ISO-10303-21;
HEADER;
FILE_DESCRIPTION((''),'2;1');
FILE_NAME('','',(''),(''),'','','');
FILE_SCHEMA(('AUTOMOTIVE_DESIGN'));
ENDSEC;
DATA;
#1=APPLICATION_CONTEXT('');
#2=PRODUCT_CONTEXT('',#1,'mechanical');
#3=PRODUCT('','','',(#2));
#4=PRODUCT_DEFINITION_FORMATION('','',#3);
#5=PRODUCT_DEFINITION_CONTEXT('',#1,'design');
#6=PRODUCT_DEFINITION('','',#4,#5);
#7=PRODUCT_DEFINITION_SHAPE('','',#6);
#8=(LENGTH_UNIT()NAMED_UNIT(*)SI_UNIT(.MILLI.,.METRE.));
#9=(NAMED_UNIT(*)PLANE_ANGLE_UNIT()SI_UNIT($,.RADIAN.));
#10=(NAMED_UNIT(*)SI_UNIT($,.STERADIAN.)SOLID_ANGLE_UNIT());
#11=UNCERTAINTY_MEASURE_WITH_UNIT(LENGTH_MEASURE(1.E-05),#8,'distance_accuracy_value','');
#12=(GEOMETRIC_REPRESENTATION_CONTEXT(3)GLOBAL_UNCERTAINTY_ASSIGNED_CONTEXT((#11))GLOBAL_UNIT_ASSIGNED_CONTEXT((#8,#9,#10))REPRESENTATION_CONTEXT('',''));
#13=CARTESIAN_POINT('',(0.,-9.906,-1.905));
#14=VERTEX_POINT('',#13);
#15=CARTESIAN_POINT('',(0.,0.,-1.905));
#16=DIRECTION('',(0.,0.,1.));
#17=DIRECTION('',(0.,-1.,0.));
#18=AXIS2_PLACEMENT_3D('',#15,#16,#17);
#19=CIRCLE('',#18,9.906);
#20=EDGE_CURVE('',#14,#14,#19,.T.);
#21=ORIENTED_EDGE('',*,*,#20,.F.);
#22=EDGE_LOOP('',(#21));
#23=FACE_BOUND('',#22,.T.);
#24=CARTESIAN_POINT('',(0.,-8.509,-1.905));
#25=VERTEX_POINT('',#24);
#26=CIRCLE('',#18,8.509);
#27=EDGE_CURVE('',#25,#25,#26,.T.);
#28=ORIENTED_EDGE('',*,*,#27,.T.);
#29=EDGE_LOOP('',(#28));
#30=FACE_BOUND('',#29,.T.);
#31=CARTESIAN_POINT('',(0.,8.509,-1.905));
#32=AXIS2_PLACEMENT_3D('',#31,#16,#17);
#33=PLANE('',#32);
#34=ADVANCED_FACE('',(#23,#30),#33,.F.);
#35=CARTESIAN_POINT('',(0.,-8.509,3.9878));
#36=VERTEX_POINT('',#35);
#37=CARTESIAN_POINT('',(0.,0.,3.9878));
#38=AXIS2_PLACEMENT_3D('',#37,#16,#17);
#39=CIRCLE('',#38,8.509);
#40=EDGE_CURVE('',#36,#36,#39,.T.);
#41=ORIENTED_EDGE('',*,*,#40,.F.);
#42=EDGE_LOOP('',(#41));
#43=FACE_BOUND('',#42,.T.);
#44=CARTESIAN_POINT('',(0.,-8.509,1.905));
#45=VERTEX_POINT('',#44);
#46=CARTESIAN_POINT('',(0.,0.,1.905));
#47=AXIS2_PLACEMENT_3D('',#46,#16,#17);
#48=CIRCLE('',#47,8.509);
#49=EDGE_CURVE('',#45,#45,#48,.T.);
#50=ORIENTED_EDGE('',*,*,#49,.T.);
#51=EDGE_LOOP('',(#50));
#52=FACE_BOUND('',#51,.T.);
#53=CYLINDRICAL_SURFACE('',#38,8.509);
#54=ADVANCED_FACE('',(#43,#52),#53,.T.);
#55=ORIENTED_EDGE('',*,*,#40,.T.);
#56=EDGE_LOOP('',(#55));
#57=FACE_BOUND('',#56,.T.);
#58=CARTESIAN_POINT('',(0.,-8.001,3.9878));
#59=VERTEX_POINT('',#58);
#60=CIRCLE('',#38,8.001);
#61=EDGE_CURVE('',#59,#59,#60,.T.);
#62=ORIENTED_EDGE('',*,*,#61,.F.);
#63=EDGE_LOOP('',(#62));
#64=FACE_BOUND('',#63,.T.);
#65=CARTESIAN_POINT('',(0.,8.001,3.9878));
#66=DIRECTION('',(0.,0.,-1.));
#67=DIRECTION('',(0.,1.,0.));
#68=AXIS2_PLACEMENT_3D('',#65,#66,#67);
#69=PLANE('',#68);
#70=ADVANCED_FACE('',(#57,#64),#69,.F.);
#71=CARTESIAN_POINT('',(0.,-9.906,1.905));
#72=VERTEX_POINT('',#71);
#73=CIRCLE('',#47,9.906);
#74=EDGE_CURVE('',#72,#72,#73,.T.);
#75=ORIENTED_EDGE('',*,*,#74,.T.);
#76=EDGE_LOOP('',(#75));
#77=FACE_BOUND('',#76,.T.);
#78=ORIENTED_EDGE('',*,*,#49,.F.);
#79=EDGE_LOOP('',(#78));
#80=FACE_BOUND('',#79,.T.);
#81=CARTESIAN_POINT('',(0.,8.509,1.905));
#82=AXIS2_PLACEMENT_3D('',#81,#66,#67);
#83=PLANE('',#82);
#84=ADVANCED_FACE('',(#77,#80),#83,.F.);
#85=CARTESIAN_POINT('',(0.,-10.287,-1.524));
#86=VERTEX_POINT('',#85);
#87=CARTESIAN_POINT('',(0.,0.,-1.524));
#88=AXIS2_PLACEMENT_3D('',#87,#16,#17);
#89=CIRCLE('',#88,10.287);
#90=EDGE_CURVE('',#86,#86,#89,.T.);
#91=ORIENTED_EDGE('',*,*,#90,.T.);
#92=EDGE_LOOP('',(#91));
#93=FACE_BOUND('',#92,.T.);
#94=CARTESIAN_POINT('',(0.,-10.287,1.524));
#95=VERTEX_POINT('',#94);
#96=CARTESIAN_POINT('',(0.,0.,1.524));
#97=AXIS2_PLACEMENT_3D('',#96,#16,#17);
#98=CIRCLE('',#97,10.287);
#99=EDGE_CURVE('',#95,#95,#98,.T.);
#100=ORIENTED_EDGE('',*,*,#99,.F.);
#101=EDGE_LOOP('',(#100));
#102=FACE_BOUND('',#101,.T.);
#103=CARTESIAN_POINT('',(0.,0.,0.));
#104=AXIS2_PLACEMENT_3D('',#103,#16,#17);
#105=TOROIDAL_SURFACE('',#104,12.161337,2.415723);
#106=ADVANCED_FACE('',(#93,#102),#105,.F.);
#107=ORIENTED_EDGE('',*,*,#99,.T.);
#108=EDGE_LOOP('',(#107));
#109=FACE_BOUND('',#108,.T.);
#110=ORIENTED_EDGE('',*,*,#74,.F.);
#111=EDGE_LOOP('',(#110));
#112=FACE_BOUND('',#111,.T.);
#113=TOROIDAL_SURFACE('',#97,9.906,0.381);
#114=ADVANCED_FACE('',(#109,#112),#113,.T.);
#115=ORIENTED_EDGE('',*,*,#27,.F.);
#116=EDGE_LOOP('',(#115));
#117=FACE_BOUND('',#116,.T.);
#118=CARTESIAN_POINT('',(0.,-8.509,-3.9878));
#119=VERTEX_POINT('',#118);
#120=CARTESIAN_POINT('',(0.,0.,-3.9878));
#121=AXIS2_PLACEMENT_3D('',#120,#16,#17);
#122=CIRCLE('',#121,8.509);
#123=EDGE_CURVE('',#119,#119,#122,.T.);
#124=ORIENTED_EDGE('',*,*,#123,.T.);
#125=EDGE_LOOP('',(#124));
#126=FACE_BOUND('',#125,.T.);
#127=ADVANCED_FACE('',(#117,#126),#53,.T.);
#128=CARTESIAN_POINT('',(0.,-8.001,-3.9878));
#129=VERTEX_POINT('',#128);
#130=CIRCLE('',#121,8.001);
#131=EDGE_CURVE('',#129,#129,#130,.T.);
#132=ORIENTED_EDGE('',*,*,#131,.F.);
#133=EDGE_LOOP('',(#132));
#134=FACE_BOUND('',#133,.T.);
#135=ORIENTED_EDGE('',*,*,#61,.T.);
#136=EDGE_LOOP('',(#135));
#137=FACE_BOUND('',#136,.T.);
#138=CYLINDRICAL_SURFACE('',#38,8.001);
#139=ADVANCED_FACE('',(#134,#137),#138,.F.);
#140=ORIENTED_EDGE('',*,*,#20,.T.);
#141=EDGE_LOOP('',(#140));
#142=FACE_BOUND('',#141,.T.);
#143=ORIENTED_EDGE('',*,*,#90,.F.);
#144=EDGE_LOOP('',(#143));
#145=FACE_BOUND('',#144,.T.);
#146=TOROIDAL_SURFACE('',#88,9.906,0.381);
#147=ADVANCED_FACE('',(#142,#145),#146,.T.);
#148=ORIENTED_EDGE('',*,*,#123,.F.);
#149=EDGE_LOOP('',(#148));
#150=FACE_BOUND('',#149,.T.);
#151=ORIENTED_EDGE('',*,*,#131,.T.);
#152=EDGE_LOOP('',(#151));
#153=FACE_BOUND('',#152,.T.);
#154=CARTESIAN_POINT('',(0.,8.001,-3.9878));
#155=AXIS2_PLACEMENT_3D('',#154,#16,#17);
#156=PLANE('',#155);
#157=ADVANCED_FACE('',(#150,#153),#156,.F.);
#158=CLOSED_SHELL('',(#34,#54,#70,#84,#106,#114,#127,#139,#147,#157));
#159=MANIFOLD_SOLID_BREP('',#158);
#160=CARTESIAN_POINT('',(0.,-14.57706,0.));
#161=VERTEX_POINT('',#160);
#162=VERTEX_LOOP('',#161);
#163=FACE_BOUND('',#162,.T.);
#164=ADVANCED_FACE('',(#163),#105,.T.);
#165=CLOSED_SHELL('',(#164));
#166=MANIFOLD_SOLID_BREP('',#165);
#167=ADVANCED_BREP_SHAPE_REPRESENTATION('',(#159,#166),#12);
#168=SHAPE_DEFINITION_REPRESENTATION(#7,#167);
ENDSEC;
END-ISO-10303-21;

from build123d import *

# Parameters (mm, degrees)
SKETCH3_R = 2.415722718


with BuildPart() as part:
    # Sketch2 → Revolve1 (revolve)
    with BuildSketch(Plane(origin=(0, 0, 0), x_dir=(0, 0, -1), z_dir=(1, 0, 0)), mode=Mode.PRIVATE) as revolve1_sk:
        with BuildLine():
            Line((-1.905, 8.509), (-1.905, 9.906))
            ThreePointArc((-1.905, 9.906), (-1.793407684, 10.175407684), (-1.524, 10.287))
            ThreePointArc((-1.524, 10.287), (0, 9.745614565), (1.524, 10.287))
            ThreePointArc((1.524, 10.287), (1.793407684, 10.175407684), (1.905, 9.906))
            Line((1.905, 9.906), (1.905, 8.509))
            Line((1.905, 8.509), (3.9878, 8.509))
            Line((3.9878, 8.509), (3.9878, 8.001))
            Line((3.9878, 8.001), (-3.9878, 8.001))
            Line((-3.9878, 8.001), (-3.9878, 8.509))
            Line((-3.9878, 8.509), (-1.905, 8.509))
        make_face()
    revolve(revolve1_sk.sketch.rotate(Axis((0, 0, 3.9878), (0, 0, -1)), 180), axis=Axis((0, 0, 3.9878), (0, 0, -1)))


with BuildPart() as body_2:
    # Sketch3 → Revolve2 (revolve)
    with BuildSketch(Plane(origin=(0, 0, 0), x_dir=(0, 0, -1), z_dir=(1, 0, 0))):
        with Locations((0, 12.161337282)):
            Circle(SKETCH3_R)
    revolve(axis=Axis((0, 0, 3.9878), (0, 0, -1)))


solid = Compound([part.part, body_2.part])
